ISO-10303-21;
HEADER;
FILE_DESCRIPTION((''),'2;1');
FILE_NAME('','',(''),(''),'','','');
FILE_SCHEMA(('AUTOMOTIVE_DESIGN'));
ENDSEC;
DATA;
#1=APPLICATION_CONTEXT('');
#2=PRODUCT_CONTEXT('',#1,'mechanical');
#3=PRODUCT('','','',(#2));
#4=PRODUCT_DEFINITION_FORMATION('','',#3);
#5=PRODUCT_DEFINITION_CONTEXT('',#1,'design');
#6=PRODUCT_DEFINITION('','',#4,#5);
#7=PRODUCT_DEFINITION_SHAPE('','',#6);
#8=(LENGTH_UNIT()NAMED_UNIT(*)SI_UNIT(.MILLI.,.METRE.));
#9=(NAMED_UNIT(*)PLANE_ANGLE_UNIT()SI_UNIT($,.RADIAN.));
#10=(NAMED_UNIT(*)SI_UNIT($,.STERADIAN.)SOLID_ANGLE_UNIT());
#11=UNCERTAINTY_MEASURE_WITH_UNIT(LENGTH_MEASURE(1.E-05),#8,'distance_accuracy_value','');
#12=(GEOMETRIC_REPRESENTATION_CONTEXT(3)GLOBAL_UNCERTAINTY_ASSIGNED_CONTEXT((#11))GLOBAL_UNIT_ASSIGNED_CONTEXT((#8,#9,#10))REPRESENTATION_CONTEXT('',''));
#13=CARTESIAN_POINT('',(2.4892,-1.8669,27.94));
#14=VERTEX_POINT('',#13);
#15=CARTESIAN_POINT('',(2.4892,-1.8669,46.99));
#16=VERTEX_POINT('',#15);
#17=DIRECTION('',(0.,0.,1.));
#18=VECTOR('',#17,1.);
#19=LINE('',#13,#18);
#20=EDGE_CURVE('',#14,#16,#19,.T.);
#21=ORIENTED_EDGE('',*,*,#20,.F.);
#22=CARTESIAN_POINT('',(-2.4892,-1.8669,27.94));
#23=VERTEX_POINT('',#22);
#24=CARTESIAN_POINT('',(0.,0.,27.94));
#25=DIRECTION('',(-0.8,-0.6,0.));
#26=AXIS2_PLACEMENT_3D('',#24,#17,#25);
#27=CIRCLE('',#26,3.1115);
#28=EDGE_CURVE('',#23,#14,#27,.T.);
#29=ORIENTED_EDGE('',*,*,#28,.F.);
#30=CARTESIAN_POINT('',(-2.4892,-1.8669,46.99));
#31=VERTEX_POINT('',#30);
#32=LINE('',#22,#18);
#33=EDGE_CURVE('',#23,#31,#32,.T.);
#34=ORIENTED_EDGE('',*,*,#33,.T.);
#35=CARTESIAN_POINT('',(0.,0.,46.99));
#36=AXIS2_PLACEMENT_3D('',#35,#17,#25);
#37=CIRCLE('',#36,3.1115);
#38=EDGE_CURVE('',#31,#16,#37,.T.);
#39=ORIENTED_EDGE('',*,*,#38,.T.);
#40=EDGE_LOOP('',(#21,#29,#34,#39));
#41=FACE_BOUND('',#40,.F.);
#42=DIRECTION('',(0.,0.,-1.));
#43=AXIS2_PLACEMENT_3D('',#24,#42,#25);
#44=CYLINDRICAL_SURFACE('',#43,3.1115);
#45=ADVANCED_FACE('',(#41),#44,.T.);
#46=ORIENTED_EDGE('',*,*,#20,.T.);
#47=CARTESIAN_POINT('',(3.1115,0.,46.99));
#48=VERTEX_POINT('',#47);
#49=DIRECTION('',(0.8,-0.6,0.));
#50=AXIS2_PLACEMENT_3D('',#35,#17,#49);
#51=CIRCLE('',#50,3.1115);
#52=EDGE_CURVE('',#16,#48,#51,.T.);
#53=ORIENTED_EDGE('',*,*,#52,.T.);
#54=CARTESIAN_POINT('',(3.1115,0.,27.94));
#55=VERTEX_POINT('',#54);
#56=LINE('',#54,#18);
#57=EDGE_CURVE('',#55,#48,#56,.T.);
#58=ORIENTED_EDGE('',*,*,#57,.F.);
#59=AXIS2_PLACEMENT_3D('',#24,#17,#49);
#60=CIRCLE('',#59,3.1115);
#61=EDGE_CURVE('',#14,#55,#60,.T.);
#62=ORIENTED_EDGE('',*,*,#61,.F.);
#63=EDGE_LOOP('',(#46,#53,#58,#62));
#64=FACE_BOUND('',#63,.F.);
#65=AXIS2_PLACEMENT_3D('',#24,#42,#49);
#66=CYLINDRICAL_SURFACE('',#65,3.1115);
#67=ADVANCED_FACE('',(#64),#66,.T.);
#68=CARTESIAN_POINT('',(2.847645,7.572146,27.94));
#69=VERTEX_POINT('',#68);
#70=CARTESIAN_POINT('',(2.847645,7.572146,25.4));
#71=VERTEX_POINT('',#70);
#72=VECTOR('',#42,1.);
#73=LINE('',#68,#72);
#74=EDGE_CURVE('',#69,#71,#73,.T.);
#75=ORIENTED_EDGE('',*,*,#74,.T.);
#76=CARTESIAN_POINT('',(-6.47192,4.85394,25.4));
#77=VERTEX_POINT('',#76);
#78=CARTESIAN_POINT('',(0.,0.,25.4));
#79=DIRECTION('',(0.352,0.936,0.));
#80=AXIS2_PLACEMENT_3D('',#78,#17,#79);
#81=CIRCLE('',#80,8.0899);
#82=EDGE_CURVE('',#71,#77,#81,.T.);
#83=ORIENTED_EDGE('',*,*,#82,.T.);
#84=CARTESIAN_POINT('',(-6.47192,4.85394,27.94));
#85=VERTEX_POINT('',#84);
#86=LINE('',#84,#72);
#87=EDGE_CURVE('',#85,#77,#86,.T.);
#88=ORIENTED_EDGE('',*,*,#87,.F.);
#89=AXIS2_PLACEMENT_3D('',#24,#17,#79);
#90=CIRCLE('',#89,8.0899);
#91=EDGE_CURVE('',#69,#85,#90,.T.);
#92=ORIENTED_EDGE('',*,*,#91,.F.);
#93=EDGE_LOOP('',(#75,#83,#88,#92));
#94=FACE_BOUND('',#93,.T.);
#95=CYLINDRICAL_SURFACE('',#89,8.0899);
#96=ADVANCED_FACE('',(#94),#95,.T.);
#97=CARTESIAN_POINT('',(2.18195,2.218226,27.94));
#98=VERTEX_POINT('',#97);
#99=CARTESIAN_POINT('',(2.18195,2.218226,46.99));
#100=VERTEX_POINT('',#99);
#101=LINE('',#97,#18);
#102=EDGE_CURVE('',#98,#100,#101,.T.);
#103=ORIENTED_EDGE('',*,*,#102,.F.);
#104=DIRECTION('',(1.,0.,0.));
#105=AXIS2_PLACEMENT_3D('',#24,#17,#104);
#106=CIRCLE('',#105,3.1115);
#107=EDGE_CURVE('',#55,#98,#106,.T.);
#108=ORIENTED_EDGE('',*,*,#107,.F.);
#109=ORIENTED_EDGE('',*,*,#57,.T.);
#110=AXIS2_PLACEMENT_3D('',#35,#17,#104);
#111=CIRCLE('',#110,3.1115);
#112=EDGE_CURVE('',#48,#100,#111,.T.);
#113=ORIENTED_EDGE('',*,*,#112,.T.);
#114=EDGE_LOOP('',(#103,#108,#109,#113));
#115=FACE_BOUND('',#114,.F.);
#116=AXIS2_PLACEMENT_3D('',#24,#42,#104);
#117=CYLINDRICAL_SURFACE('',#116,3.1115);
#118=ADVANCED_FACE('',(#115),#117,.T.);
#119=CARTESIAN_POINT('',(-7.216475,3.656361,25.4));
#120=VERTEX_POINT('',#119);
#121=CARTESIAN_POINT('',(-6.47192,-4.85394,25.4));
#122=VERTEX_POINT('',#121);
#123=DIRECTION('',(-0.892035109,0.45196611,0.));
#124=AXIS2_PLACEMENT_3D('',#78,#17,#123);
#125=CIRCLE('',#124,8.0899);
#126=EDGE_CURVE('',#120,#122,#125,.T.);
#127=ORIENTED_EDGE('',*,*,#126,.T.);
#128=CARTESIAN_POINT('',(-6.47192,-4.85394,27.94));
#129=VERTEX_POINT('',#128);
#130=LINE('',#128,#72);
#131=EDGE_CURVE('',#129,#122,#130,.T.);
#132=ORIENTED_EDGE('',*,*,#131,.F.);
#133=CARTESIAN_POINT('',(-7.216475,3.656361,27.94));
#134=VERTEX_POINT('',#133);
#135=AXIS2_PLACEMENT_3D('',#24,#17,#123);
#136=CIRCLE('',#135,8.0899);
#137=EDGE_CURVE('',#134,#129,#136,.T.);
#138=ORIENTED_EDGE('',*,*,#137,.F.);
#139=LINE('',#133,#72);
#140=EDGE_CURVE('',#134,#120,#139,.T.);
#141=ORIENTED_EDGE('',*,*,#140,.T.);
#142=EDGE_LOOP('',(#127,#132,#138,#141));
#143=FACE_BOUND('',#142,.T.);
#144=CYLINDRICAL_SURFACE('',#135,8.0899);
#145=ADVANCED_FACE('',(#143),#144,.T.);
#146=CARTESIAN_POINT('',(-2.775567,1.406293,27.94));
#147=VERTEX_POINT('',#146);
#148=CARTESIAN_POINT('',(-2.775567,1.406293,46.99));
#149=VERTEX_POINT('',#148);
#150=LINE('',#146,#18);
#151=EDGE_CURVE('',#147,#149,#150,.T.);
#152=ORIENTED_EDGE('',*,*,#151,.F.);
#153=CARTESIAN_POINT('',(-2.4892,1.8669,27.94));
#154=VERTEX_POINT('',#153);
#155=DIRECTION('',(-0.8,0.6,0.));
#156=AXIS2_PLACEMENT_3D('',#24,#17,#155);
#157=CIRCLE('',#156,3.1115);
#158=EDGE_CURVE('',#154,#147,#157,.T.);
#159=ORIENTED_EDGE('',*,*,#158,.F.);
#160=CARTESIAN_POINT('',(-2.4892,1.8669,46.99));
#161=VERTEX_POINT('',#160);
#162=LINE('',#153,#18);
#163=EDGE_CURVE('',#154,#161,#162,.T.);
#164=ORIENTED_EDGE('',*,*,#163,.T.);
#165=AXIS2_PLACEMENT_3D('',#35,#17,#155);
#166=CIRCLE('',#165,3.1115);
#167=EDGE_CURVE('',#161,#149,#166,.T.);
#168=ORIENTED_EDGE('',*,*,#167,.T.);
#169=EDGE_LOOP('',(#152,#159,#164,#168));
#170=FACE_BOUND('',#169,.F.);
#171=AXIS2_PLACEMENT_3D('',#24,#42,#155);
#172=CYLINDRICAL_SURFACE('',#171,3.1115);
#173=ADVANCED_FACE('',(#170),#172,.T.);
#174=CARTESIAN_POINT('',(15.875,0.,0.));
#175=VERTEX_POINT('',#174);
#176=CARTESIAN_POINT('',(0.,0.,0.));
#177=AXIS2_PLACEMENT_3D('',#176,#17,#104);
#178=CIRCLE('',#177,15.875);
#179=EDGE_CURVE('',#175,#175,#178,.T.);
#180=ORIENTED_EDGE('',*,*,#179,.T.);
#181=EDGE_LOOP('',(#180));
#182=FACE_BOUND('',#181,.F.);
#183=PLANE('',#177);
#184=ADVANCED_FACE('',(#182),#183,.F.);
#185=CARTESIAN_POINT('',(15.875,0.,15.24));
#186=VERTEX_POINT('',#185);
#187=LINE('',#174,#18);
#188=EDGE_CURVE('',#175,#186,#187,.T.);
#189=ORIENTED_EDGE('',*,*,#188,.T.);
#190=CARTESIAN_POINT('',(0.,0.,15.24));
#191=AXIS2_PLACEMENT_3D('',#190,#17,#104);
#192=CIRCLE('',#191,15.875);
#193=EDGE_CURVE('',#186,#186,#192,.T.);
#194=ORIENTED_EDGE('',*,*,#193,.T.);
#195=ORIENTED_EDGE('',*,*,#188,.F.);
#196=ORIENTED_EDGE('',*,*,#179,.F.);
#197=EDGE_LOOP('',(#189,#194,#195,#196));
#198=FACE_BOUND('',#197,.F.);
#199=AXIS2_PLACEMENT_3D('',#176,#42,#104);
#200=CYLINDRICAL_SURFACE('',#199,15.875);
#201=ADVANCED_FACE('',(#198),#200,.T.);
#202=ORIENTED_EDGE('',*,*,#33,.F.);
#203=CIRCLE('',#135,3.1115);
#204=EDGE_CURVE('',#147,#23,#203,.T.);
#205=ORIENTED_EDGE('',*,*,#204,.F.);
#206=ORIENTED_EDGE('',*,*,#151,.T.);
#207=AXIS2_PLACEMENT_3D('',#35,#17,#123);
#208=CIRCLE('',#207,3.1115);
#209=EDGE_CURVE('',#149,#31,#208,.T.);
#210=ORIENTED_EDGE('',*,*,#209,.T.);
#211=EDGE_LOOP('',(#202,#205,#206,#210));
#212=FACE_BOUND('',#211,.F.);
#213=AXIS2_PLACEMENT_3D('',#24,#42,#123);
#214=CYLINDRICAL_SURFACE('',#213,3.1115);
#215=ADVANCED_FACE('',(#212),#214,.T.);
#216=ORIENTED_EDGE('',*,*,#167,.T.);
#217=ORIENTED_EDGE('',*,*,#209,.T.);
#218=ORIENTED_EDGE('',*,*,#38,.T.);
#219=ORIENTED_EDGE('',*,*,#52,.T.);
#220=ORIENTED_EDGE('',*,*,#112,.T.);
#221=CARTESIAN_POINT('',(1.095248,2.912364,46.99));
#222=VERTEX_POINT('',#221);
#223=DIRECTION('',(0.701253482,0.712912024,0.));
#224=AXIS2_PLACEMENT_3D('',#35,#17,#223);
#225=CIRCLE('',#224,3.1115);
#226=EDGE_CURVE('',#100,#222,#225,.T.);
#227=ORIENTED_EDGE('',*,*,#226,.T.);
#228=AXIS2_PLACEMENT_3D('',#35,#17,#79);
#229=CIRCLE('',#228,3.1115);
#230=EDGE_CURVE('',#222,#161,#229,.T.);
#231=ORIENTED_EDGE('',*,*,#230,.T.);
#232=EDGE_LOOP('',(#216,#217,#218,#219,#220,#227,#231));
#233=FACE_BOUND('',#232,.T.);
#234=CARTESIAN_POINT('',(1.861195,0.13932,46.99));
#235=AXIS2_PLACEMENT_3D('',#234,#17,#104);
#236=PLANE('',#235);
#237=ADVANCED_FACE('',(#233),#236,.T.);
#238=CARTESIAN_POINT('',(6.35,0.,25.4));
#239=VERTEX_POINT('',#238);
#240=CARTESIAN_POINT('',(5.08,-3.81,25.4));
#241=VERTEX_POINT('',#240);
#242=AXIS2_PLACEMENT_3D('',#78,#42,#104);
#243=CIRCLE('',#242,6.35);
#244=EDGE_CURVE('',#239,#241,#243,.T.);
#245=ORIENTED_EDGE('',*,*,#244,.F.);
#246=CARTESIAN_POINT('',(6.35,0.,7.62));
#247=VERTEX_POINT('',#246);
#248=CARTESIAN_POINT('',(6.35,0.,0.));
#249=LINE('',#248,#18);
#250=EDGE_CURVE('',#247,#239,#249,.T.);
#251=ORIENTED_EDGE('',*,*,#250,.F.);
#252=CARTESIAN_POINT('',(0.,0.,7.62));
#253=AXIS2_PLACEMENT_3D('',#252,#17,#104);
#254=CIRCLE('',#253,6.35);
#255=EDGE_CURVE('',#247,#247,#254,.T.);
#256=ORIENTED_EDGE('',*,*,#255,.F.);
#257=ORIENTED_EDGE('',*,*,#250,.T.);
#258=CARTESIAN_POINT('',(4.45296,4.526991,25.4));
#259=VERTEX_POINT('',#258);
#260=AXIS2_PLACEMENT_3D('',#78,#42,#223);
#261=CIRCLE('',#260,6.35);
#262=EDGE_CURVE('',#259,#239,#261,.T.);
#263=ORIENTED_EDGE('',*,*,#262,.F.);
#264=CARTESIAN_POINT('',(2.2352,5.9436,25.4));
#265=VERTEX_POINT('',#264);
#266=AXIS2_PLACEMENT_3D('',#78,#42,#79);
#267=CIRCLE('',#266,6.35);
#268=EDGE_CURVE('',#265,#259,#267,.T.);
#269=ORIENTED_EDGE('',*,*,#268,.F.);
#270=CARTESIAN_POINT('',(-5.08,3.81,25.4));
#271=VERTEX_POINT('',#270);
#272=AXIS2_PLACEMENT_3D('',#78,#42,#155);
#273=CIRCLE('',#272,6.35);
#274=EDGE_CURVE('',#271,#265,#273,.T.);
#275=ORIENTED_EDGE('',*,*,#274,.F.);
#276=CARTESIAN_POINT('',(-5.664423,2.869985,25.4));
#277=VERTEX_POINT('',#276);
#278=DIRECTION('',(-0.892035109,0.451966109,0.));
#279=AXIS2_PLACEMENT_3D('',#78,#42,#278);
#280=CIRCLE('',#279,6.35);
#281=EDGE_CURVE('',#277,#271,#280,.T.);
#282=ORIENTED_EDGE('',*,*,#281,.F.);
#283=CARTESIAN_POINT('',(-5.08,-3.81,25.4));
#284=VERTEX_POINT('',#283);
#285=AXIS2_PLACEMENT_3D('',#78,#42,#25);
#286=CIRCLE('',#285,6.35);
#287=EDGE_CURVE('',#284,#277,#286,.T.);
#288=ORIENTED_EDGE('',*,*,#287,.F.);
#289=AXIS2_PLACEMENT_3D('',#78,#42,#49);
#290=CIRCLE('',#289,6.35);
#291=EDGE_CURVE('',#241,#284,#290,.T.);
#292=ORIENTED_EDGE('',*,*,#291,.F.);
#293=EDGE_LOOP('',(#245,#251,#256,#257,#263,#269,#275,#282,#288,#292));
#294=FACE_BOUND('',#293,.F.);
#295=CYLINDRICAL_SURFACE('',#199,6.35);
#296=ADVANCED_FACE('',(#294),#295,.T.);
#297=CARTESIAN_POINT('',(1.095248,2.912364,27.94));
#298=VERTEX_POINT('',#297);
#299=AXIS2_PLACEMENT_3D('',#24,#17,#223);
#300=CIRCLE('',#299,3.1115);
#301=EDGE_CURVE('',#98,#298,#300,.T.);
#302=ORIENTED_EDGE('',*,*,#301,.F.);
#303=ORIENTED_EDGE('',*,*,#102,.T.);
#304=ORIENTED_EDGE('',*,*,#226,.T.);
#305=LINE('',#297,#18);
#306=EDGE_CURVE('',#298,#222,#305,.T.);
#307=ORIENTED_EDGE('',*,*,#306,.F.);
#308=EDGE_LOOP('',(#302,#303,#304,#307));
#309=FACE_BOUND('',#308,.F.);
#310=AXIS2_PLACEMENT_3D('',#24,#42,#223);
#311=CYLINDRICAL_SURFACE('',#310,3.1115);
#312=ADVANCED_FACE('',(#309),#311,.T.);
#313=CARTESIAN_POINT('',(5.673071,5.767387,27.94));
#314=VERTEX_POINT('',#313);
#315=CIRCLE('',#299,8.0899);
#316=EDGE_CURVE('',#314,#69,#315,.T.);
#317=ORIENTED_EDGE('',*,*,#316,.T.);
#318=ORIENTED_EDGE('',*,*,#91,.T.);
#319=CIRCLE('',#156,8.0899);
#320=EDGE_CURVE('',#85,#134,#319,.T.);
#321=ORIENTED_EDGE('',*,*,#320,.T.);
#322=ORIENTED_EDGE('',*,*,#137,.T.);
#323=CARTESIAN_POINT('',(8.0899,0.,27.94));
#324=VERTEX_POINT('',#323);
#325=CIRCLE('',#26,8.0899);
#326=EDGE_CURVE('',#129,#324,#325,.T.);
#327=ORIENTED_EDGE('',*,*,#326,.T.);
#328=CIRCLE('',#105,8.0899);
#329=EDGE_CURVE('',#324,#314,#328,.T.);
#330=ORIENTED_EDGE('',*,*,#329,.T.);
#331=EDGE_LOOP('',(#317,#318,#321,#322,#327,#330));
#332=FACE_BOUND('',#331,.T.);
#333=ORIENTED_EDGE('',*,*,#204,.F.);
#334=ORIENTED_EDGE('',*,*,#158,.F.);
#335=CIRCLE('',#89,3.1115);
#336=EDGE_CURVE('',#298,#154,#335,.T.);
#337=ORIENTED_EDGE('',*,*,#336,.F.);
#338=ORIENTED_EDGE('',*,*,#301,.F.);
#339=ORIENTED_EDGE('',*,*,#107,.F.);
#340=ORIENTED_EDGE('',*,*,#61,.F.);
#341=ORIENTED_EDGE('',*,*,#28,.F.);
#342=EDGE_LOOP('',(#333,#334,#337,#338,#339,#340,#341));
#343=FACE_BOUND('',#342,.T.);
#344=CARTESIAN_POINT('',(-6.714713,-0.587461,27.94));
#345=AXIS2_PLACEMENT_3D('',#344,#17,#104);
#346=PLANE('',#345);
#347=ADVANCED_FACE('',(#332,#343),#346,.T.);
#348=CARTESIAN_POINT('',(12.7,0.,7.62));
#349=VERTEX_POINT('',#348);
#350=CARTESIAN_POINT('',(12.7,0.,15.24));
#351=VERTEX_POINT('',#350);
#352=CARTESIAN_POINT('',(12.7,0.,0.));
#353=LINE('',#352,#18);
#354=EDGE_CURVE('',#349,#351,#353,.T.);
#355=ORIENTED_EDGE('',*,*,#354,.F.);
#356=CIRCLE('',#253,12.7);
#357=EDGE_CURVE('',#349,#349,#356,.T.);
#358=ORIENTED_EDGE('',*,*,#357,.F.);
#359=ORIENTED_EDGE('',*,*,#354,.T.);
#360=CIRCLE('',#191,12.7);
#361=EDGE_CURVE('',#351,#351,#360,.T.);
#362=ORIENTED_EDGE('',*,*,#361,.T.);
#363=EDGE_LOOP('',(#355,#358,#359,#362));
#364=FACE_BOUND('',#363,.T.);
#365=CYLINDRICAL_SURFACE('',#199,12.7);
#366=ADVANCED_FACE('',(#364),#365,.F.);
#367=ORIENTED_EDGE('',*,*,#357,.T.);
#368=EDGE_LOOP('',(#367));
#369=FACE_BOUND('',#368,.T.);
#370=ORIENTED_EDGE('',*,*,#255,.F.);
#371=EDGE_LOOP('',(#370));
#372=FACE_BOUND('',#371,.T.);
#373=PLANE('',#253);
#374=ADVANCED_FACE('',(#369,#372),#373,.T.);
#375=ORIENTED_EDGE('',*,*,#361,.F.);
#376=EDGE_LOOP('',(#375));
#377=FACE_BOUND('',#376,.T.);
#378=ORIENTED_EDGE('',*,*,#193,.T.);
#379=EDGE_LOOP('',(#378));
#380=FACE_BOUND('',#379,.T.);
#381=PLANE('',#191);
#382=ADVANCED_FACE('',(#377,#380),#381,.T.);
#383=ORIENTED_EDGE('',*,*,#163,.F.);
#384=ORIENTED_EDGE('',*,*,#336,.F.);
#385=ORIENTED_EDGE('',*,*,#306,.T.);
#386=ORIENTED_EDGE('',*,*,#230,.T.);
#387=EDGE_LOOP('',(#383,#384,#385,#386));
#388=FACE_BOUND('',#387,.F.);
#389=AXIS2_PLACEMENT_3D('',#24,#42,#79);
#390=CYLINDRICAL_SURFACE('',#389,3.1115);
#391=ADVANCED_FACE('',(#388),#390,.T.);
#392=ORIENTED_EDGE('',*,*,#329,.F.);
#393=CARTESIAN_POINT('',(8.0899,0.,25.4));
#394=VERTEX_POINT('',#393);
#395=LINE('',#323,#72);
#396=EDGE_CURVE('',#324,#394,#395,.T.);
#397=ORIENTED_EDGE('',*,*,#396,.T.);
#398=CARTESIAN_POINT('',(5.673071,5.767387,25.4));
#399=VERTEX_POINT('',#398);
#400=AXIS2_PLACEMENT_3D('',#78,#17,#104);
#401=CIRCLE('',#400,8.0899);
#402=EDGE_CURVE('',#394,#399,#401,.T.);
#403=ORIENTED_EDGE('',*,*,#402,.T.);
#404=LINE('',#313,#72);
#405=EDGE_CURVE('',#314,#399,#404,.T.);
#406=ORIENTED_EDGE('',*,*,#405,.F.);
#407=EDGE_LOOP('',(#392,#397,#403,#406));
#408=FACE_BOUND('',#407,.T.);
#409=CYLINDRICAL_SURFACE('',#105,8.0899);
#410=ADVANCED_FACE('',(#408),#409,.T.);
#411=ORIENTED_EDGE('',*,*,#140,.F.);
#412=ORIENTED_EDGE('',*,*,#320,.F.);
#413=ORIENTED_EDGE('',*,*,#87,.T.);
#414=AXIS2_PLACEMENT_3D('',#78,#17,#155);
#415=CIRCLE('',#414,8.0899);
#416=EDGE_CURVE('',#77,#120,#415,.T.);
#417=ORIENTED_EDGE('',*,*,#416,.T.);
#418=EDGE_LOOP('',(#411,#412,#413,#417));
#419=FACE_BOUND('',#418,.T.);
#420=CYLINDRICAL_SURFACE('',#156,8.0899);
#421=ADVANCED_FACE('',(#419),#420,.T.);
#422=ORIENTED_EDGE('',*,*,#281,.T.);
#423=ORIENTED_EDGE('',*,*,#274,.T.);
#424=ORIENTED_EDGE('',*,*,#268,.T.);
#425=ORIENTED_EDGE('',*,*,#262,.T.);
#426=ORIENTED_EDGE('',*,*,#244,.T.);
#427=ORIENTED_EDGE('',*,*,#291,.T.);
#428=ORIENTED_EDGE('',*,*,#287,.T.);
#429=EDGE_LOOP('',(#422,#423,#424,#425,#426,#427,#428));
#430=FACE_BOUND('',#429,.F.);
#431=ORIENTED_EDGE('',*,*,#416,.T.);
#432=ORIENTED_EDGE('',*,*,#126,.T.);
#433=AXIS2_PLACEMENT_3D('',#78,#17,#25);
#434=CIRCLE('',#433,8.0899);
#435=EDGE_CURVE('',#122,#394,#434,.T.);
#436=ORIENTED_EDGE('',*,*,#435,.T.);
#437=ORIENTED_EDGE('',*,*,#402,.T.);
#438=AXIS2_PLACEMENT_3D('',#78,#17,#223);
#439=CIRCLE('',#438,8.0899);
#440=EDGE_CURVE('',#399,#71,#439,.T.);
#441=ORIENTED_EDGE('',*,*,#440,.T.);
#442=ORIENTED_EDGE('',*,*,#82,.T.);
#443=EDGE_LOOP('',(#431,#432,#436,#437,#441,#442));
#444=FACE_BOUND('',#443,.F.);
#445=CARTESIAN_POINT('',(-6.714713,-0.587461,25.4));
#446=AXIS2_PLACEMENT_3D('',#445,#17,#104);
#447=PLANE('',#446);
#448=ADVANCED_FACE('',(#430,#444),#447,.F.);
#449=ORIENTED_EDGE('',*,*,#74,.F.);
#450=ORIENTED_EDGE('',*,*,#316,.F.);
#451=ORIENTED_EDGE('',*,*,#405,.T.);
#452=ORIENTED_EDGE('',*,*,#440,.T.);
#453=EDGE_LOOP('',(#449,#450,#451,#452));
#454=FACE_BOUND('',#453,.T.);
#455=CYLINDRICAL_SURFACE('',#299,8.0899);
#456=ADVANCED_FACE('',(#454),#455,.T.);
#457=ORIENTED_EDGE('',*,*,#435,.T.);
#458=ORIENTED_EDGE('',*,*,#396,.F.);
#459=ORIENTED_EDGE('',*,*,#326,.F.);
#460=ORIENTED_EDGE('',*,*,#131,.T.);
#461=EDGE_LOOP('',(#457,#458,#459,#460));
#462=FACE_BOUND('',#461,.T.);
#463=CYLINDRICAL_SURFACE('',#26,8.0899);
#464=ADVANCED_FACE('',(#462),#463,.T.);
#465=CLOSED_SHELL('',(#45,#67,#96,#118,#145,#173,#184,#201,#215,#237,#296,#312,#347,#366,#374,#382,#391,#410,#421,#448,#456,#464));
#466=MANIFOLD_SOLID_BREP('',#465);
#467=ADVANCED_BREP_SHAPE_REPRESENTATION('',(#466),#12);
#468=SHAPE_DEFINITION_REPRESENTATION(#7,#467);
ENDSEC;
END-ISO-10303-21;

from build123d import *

# Parameters (mm, degrees)
F0_R     = 12.7
F0_R_2   = 6.35
F1_DEPTH = 7.62
F0_R_3   = 15.875
F2_DEPTH = 15.24
F3_DEPTH = 27.94
F5_DEPTH = 19.05
F6_DEPTH = 2.54


with BuildPart() as f1:
    # F0 (on Top) → F1 (new body)
    with BuildSketch(Plane.XY):
        Circle(F0_R)
        Circle(F0_R_2, mode=Mode.SUBTRACT)
    extrude(amount=F1_DEPTH)

    # F0 (on Top) → F2 (join)
    with BuildSketch(Plane.XY):
        Circle(F0_R_3)
        Circle(F0_R, mode=Mode.SUBTRACT)
    extrude(amount=F2_DEPTH)

    # F0 (on Top) → F3 (join)
    with BuildSketch(Plane.XY):
        Circle(F0_R_2)
    extrude(amount=F3_DEPTH)

    # F4 (on face) → F5 (join)
    with BuildSketch(Plane.XY.offset(27.94)):
        with BuildLine():
            Line((0, 0), (2.4892, -1.8669))
            ThreePointArc((2.4892, -1.8669), (2.9518280819, -0.983942694), (3.1115, 0))
            ThreePointArc((3.1115, 0), (2.8697186557, 1.2025585587), (2.1819502092, 2.2182257628))
            Line((2.1819502092, 2.2182257628), (0, 0))
        make_face()
        with BuildLine():
            ThreePointArc((2.1819502092, 2.2182257628), (1.6749519392, 2.6222067522), (1.095248, 2.912364))
            Line((1.095248, 2.912364), (0, 0))
            Line((0, 0), (2.1819502092, 2.2182257628))
        make_face()
        with BuildLine():
            ThreePointArc((-2.7755672417, 1.4062925502), (-3.0996598031, -0.2711850936), (-2.4892, -1.8669))
            Line((-2.4892, -1.8669), (0, 0))
            Line((0, 0), (-2.7755672417, 1.4062925502))
        make_face()
        with BuildLine():
            Line((0, 0), (-2.4892, 1.8669))
            ThreePointArc((-2.4892, 1.8669), (-2.6424388986, 1.642847807), (-2.7755672417, 1.4062925502))
            Line((-2.7755672417, 1.4062925502), (0, 0))
        make_face()
        with BuildLine():
            Line((0, 0), (1.095248, 2.912364))
            ThreePointArc((1.095248, 2.912364), (-0.87122, 2.98704), (-2.4892, 1.8669))
            Line((-2.4892, 1.8669), (0, 0))
        make_face()
        with BuildLine():
            ThreePointArc((-2.4892, -1.8669), (0, -3.1115), (2.4892, -1.8669))
            Line((2.4892, -1.8669), (0, 0))
            Line((0, 0), (-2.4892, -1.8669))
        make_face()
    extrude(amount=F5_DEPTH)

    # F4 (on face) → F6 (join)
    with BuildSketch(Plane.XY.offset(27.94)):
        with BuildLine():
            ThreePointArc((-7.2164748284, 3.6563606306), (-8.0591154881, -0.7050812433), (-6.47192, -4.85394))
            Line((-6.47192, -4.85394), (-5.08, -3.81))
            ThreePointArc((-5.08, -3.81), (-6.3258363329, -0.5534389664), (-5.6644229422, 2.8699847964))
            Line((-5.6644229422, 2.8699847964), (-7.2164748284, 3.6563606306))
        make_face()
        with BuildLine():
            Line((-5.08, 3.81), (-6.47192, 4.85394))
            ThreePointArc((-6.47192, 4.85394), (-6.8703411364, 4.2714042983), (-7.2164748284, 3.6563606306))
            Line((-7.2164748284, 3.6563606306), (-5.6644229422, 2.8699847964))
            ThreePointArc((-5.6644229422, 2.8699847964), (-5.3927324462, 3.3527506266), (-5.08, 3.81))
        make_face()
        with BuildLine():
            Line((2.2352, 5.9436), (2.8476448, 7.5721464))
            ThreePointArc((2.8476448, 7.5721464), (-2.265172, 7.766304), (-6.47192, 4.85394))
            Line((-6.47192, 4.85394), (-5.08, 3.81))
            ThreePointArc((-5.08, 3.81), (-1.778, 6.096), (2.2352, 5.9436))
        make_face()
        with BuildLine():
            ThreePointArc((5.6730705438, 5.7673869833), (4.3548750419, 6.8177375558), (2.8476448, 7.5721464))
            Line((2.8476448, 7.5721464), (2.2352, 5.9436))
            ThreePointArc((2.2352, 5.9436), (3.4182692637, 5.3514423515), (4.4529596105, 4.5269913526))
            Line((4.4529596105, 4.5269913526), (5.6730705438, 5.7673869833))
        make_face()
        with BuildLine():
            Line((5.08, -3.81), (6.47192, -4.85394))
            ThreePointArc((6.47192, -4.85394), (7.6747530129, -2.5582510043), (8.0899, 0))
            ThreePointArc((8.0899, 0), (7.4612685048, 3.1266522526), (5.6730705438, 5.7673869833))
            Line((5.6730705438, 5.7673869833), (4.4529596105, 4.5269913526))
            ThreePointArc((4.4529596105, 4.5269913526), (5.8565686851, 2.4542011402), (6.35, 0))
            ThreePointArc((6.35, 0), (6.0241389426, -2.0080463142), (5.08, -3.81))
        make_face()
        with BuildLine():
            ThreePointArc((-6.47192, -4.85394), (0, -8.0899), (6.47192, -4.85394))
            Line((6.47192, -4.85394), (5.08, -3.81))
            ThreePointArc((5.08, -3.81), (0, -6.35), (-5.08, -3.81))
            Line((-5.08, -3.81), (-6.47192, -4.85394))
        make_face()
    extrude(amount=-F6_DEPTH)


solid = f1.part
